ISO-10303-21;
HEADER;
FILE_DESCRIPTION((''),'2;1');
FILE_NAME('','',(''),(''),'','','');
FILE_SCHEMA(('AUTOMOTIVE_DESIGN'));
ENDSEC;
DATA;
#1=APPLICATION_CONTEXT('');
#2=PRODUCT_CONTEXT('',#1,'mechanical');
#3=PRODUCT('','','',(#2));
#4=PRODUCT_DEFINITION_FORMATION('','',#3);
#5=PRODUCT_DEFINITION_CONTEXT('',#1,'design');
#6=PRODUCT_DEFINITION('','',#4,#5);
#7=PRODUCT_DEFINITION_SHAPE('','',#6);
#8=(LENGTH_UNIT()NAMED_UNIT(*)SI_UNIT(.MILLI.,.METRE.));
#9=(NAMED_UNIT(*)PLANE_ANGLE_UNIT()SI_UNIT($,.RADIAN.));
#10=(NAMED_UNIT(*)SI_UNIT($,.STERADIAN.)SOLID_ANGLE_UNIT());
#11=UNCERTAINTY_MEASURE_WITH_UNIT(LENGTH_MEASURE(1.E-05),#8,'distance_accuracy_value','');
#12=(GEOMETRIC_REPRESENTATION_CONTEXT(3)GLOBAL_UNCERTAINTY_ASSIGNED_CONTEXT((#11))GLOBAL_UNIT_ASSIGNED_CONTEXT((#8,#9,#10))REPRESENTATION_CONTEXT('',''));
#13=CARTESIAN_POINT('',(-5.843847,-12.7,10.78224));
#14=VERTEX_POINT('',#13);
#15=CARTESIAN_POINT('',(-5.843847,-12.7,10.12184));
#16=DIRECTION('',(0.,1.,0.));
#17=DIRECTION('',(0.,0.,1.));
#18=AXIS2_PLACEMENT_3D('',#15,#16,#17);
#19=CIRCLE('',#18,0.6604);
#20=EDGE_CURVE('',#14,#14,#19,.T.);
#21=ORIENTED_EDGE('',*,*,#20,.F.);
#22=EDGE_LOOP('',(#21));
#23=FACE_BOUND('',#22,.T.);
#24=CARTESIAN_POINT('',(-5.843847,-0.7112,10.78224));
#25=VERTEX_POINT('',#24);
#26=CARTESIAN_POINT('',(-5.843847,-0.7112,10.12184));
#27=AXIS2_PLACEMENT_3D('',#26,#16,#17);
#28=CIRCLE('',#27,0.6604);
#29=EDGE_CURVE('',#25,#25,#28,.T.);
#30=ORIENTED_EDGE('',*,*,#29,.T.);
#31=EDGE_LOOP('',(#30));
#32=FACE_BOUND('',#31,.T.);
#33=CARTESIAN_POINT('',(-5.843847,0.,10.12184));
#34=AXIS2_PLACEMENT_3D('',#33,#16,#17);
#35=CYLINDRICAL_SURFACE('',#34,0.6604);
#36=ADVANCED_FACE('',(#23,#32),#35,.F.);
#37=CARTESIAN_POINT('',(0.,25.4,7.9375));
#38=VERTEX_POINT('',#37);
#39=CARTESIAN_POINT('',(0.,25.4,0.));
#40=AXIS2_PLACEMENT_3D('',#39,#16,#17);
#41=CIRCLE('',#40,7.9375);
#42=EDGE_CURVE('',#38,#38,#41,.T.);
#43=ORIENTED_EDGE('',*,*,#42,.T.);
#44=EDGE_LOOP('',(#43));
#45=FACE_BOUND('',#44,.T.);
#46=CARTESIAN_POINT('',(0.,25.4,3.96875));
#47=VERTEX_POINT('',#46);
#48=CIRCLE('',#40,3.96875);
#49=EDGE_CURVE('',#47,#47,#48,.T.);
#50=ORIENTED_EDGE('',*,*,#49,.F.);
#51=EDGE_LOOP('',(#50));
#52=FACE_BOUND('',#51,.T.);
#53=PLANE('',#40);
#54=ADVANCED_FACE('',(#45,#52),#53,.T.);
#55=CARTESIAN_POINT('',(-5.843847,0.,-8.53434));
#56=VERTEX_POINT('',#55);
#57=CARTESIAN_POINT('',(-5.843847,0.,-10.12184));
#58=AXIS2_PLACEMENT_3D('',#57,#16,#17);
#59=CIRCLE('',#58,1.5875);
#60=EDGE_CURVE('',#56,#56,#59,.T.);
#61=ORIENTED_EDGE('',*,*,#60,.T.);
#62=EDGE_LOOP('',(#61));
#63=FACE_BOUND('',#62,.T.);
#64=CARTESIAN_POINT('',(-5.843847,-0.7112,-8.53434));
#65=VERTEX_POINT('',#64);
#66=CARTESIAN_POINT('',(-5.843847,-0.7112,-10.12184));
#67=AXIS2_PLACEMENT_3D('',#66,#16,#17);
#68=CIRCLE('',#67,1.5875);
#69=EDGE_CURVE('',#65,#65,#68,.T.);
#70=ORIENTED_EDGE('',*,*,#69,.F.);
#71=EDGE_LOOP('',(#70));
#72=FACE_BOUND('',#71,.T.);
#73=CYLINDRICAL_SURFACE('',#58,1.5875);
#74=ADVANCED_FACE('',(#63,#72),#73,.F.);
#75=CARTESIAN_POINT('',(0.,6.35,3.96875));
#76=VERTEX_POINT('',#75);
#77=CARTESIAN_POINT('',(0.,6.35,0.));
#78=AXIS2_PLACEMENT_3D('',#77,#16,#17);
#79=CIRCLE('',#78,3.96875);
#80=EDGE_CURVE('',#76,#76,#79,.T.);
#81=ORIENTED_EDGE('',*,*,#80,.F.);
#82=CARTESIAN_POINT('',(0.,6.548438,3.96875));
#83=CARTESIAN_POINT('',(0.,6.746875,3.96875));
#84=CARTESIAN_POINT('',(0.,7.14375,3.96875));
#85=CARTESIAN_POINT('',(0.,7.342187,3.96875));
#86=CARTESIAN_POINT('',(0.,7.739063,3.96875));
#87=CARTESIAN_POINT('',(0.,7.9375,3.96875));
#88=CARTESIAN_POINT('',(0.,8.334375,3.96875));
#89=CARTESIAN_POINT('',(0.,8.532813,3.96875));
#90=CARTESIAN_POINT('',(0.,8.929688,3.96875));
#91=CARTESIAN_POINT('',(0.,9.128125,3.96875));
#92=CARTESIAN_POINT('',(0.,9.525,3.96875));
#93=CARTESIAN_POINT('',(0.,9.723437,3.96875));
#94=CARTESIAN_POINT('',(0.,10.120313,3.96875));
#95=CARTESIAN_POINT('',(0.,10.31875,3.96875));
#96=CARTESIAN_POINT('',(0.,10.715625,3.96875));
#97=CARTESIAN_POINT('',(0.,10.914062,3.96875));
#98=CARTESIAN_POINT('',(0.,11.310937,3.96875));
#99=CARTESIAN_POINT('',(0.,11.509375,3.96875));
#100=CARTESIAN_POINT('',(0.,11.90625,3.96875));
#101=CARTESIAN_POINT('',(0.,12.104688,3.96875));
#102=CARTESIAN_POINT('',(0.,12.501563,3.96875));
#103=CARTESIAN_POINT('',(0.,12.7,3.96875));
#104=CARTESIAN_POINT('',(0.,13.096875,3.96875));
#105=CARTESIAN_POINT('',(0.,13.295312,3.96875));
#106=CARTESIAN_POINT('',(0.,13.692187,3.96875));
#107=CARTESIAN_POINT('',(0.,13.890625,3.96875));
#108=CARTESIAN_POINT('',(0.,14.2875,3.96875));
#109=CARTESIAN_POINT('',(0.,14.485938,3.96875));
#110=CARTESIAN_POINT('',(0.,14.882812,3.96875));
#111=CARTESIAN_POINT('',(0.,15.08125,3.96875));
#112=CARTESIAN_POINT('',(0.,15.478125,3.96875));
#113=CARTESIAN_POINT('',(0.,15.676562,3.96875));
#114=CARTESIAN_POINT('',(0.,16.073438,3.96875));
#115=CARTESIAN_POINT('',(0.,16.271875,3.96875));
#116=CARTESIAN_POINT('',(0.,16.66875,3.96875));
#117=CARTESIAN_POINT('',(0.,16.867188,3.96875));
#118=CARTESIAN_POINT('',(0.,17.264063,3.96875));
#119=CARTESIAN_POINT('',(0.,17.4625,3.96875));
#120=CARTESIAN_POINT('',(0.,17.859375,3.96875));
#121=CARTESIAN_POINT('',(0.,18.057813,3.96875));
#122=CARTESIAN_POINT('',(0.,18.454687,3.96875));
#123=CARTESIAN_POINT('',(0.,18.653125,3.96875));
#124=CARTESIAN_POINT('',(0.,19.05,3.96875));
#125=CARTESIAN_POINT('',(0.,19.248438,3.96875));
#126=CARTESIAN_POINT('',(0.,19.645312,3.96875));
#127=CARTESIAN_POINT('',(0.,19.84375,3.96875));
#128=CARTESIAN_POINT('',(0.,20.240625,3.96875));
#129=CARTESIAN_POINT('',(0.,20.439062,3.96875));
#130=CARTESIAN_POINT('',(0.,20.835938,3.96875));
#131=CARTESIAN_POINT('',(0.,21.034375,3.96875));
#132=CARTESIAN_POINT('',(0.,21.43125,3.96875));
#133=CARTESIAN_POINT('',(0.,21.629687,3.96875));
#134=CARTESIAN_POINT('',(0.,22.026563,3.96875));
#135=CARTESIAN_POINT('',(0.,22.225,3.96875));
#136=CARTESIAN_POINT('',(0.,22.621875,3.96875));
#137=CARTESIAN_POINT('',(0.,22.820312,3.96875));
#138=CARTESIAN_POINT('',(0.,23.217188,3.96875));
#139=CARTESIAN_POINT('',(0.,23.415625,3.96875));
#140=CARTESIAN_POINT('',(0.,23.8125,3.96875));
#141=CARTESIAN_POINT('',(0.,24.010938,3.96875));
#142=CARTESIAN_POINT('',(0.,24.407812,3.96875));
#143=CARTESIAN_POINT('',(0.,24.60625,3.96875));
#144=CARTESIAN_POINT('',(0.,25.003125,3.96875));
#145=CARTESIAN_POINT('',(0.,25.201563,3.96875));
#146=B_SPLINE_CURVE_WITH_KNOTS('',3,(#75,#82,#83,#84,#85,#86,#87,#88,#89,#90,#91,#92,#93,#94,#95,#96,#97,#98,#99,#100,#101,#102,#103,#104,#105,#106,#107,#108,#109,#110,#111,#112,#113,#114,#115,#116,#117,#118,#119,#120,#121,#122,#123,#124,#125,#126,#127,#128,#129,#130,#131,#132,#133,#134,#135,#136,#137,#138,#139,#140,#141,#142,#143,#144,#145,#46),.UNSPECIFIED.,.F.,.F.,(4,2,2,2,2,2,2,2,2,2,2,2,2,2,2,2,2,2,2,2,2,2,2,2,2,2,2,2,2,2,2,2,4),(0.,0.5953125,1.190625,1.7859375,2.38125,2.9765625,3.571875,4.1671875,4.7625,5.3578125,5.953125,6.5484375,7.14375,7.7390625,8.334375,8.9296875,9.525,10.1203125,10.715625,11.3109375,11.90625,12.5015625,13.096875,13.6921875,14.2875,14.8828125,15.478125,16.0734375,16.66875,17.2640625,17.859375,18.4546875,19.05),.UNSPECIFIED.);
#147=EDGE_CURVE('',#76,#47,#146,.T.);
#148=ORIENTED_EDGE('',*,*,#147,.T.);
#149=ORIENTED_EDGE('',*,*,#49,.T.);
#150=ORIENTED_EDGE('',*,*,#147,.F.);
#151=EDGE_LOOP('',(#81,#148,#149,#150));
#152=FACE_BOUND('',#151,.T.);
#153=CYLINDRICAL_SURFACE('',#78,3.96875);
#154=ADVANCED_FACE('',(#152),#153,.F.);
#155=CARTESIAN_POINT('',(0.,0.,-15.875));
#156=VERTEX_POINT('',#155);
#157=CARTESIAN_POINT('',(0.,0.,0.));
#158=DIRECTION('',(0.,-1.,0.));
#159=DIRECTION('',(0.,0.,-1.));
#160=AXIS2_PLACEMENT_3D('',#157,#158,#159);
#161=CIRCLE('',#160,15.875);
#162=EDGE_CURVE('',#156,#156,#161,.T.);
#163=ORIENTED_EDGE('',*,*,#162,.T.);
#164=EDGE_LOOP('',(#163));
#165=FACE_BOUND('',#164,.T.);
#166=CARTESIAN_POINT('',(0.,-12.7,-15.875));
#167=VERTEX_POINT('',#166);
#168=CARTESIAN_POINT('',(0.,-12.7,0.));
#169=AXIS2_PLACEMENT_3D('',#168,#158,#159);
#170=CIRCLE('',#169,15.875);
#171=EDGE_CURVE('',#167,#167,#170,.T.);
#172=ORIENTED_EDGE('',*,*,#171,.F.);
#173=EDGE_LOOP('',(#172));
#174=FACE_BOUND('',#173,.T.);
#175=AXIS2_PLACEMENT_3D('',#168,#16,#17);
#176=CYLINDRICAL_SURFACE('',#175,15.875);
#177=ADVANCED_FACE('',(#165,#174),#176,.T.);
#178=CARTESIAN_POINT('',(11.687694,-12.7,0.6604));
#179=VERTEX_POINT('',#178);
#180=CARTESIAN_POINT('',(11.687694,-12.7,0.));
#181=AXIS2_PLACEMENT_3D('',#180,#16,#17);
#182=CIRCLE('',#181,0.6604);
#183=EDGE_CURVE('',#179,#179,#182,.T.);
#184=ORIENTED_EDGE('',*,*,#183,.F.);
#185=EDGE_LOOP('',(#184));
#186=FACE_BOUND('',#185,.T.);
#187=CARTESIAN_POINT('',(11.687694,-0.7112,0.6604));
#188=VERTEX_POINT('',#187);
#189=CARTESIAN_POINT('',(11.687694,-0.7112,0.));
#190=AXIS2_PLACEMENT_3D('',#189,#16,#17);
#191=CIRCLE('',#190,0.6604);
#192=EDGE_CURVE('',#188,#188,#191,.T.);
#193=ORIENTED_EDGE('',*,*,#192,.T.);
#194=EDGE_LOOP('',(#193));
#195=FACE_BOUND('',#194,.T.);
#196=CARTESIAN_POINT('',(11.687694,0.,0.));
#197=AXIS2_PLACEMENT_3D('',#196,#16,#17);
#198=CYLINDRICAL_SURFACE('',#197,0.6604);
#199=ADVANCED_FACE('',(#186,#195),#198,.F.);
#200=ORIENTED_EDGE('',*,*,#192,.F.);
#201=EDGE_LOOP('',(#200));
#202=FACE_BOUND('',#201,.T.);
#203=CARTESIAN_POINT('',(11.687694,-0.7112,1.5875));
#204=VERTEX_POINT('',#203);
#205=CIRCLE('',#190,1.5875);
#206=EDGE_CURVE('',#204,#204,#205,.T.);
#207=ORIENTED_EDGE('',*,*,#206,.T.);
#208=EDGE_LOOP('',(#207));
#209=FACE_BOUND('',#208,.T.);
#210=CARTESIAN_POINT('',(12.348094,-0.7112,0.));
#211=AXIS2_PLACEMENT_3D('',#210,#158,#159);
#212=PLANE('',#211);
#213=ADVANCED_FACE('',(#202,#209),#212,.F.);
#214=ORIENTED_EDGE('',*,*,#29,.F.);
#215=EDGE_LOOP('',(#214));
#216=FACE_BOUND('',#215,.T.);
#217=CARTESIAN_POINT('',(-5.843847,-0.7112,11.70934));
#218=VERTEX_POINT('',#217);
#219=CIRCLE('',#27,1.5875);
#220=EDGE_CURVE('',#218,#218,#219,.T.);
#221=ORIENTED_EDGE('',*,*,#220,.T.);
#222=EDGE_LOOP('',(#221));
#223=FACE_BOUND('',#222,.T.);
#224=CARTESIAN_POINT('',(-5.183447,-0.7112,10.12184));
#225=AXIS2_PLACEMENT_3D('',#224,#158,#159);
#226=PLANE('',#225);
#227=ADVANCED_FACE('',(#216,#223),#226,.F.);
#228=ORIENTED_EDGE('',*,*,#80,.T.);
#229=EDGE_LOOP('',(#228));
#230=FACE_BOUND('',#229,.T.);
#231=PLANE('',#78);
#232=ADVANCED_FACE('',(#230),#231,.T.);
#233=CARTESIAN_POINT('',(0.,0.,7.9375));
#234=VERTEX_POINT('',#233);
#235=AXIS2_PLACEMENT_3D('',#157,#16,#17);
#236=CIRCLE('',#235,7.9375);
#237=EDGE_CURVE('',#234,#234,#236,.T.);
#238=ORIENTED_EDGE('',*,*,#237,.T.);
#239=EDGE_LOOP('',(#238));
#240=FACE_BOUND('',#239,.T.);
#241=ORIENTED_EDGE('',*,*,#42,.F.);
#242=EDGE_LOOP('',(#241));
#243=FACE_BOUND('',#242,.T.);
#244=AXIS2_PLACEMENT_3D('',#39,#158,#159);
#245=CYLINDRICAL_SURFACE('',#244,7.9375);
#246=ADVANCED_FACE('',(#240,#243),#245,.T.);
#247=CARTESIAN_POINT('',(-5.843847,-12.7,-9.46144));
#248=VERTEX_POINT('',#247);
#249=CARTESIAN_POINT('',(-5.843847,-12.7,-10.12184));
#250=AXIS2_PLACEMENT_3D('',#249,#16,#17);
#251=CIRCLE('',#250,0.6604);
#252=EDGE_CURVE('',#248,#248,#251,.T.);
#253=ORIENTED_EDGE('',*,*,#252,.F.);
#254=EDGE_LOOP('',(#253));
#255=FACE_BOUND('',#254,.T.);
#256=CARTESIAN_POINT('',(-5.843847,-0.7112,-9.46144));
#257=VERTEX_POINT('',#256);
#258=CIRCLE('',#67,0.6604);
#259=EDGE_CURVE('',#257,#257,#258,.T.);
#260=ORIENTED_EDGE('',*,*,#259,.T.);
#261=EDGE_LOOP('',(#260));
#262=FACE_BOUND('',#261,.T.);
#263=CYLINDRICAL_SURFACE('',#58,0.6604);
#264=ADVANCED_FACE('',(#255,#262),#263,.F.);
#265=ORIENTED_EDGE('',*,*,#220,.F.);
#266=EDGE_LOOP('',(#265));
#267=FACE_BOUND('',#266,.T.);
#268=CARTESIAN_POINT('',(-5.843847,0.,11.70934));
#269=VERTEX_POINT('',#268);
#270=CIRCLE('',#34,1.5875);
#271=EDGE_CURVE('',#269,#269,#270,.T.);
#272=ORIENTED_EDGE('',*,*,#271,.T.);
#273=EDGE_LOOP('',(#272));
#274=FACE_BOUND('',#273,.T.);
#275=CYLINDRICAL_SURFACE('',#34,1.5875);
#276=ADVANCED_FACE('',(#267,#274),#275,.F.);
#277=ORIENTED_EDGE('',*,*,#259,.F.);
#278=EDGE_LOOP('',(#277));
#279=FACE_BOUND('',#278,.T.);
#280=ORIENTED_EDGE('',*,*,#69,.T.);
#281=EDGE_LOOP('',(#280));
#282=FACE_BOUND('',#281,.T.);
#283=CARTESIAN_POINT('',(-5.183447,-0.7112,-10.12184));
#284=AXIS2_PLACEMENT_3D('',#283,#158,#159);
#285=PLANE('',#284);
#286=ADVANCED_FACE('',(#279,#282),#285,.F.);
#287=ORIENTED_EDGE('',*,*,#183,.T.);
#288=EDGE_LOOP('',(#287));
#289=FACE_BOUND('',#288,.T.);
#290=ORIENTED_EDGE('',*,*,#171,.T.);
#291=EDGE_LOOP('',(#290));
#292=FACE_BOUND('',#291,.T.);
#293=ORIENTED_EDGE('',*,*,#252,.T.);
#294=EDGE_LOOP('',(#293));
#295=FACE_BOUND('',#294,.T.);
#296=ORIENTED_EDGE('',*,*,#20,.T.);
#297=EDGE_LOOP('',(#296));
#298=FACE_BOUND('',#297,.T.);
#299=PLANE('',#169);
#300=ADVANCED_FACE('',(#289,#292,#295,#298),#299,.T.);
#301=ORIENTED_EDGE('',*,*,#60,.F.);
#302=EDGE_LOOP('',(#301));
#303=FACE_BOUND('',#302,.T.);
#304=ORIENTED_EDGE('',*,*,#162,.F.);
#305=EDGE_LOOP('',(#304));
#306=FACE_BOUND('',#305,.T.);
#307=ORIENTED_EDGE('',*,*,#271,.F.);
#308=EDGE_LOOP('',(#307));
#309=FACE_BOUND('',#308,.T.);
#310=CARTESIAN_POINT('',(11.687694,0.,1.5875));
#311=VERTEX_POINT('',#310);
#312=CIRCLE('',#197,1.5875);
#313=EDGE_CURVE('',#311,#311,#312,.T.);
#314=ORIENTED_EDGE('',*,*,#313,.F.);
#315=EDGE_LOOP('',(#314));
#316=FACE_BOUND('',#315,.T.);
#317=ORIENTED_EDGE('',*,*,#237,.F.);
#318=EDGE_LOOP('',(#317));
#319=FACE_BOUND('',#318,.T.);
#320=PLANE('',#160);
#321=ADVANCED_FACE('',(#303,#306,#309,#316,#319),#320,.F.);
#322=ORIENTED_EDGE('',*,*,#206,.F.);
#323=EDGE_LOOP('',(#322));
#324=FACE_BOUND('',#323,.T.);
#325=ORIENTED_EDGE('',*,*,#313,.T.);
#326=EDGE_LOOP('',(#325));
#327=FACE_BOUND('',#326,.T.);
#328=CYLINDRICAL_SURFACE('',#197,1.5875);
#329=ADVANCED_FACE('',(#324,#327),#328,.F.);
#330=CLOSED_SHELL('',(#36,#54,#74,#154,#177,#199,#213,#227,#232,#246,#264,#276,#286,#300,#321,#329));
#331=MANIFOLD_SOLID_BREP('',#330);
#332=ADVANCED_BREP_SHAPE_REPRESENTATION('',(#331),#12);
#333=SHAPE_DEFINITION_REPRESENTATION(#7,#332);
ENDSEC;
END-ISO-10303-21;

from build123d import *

# Parameters (mm, degrees)
SKETCH1_R                                           = 7.9375
BOSS_EXTRUDE1_DEPTH                                 = 25.4
SKETCH2_R                                           = 15.875
BOSS_EXTRUDE2_DEPTH                                 = 12.7
SKETCH3_R                                           = 3.96875
CUT_EXTRUDE1_DEPTH                                  = 19.05
CBORE_FOR_00_BINDING_HEAD_MACHINE_SCREW_D           = 1.3208
CBORE_FOR_00_BINDING_HEAD_MACHINE_SCREW_CBORE_D     = 3.175
CBORE_FOR_00_BINDING_HEAD_MACHINE_SCREW_CBORE_DEPTH = 0.7112
CIRPATTERN1_COUNT                                   = 3


with BuildPart() as part:
    # Sketch1 → Boss-Extrude1 (new body)
    with BuildSketch(Plane(origin=(0, 0, 0), x_dir=(1, 0, 0), z_dir=(0, 1, 0))):
        with Locations(Location((0, 0, 0), (0, 0, 270))):
            Circle(SKETCH1_R)
    extrude(amount=BOSS_EXTRUDE1_DEPTH)

    # Sketch2 → Boss-Extrude2 (add)
    with BuildSketch(Plane(origin=(0, 0, 0), x_dir=(-1, 0, 0), z_dir=(0, -1, 0))):
        with Locations(Location((0, 0, 0), (0, 0, 90))):
            Circle(SKETCH2_R)
    extrude(amount=BOSS_EXTRUDE2_DEPTH)

    # Sketch3 → Cut-Extrude1 (cut)
    with BuildSketch(Plane(origin=(0, 25.4, 0), x_dir=(1, 0, 0), z_dir=(0, 1, 0))):
        with Locations(Location((0, 0, 0), (0, 0, 270))):
            Circle(SKETCH3_R)
    extrude(amount=-CUT_EXTRUDE1_DEPTH, mode=Mode.SUBTRACT)

    # CBORE for #00 Binding Head Machine Screw1 (through all)
    with Locations(Plane(origin=(0, 0, 0), x_dir=(1, 0, 0), z_dir=(0, 1, 0))):
        with Locations((11.687693986, 0)):
            cbore_for_00_binding_head_machine_screw = CounterBoreHole(CBORE_FOR_00_BINDING_HEAD_MACHINE_SCREW_D / 2, CBORE_FOR_00_BINDING_HEAD_MACHINE_SCREW_CBORE_D / 2, CBORE_FOR_00_BINDING_HEAD_MACHINE_SCREW_CBORE_DEPTH)

    # CirPattern1: CBORE for #00 Binding Head Machine Screw1 ×3 about axis
    cirpattern1_axis = Axis((0, 0, 0), (0, 1, 0))
    for i in range(1, CIRPATTERN1_COUNT):
        add(cbore_for_00_binding_head_machine_screw.rotate(cirpattern1_axis, i * 360 / CIRPATTERN1_COUNT), mode=Mode.SUBTRACT)


solid = part.part
